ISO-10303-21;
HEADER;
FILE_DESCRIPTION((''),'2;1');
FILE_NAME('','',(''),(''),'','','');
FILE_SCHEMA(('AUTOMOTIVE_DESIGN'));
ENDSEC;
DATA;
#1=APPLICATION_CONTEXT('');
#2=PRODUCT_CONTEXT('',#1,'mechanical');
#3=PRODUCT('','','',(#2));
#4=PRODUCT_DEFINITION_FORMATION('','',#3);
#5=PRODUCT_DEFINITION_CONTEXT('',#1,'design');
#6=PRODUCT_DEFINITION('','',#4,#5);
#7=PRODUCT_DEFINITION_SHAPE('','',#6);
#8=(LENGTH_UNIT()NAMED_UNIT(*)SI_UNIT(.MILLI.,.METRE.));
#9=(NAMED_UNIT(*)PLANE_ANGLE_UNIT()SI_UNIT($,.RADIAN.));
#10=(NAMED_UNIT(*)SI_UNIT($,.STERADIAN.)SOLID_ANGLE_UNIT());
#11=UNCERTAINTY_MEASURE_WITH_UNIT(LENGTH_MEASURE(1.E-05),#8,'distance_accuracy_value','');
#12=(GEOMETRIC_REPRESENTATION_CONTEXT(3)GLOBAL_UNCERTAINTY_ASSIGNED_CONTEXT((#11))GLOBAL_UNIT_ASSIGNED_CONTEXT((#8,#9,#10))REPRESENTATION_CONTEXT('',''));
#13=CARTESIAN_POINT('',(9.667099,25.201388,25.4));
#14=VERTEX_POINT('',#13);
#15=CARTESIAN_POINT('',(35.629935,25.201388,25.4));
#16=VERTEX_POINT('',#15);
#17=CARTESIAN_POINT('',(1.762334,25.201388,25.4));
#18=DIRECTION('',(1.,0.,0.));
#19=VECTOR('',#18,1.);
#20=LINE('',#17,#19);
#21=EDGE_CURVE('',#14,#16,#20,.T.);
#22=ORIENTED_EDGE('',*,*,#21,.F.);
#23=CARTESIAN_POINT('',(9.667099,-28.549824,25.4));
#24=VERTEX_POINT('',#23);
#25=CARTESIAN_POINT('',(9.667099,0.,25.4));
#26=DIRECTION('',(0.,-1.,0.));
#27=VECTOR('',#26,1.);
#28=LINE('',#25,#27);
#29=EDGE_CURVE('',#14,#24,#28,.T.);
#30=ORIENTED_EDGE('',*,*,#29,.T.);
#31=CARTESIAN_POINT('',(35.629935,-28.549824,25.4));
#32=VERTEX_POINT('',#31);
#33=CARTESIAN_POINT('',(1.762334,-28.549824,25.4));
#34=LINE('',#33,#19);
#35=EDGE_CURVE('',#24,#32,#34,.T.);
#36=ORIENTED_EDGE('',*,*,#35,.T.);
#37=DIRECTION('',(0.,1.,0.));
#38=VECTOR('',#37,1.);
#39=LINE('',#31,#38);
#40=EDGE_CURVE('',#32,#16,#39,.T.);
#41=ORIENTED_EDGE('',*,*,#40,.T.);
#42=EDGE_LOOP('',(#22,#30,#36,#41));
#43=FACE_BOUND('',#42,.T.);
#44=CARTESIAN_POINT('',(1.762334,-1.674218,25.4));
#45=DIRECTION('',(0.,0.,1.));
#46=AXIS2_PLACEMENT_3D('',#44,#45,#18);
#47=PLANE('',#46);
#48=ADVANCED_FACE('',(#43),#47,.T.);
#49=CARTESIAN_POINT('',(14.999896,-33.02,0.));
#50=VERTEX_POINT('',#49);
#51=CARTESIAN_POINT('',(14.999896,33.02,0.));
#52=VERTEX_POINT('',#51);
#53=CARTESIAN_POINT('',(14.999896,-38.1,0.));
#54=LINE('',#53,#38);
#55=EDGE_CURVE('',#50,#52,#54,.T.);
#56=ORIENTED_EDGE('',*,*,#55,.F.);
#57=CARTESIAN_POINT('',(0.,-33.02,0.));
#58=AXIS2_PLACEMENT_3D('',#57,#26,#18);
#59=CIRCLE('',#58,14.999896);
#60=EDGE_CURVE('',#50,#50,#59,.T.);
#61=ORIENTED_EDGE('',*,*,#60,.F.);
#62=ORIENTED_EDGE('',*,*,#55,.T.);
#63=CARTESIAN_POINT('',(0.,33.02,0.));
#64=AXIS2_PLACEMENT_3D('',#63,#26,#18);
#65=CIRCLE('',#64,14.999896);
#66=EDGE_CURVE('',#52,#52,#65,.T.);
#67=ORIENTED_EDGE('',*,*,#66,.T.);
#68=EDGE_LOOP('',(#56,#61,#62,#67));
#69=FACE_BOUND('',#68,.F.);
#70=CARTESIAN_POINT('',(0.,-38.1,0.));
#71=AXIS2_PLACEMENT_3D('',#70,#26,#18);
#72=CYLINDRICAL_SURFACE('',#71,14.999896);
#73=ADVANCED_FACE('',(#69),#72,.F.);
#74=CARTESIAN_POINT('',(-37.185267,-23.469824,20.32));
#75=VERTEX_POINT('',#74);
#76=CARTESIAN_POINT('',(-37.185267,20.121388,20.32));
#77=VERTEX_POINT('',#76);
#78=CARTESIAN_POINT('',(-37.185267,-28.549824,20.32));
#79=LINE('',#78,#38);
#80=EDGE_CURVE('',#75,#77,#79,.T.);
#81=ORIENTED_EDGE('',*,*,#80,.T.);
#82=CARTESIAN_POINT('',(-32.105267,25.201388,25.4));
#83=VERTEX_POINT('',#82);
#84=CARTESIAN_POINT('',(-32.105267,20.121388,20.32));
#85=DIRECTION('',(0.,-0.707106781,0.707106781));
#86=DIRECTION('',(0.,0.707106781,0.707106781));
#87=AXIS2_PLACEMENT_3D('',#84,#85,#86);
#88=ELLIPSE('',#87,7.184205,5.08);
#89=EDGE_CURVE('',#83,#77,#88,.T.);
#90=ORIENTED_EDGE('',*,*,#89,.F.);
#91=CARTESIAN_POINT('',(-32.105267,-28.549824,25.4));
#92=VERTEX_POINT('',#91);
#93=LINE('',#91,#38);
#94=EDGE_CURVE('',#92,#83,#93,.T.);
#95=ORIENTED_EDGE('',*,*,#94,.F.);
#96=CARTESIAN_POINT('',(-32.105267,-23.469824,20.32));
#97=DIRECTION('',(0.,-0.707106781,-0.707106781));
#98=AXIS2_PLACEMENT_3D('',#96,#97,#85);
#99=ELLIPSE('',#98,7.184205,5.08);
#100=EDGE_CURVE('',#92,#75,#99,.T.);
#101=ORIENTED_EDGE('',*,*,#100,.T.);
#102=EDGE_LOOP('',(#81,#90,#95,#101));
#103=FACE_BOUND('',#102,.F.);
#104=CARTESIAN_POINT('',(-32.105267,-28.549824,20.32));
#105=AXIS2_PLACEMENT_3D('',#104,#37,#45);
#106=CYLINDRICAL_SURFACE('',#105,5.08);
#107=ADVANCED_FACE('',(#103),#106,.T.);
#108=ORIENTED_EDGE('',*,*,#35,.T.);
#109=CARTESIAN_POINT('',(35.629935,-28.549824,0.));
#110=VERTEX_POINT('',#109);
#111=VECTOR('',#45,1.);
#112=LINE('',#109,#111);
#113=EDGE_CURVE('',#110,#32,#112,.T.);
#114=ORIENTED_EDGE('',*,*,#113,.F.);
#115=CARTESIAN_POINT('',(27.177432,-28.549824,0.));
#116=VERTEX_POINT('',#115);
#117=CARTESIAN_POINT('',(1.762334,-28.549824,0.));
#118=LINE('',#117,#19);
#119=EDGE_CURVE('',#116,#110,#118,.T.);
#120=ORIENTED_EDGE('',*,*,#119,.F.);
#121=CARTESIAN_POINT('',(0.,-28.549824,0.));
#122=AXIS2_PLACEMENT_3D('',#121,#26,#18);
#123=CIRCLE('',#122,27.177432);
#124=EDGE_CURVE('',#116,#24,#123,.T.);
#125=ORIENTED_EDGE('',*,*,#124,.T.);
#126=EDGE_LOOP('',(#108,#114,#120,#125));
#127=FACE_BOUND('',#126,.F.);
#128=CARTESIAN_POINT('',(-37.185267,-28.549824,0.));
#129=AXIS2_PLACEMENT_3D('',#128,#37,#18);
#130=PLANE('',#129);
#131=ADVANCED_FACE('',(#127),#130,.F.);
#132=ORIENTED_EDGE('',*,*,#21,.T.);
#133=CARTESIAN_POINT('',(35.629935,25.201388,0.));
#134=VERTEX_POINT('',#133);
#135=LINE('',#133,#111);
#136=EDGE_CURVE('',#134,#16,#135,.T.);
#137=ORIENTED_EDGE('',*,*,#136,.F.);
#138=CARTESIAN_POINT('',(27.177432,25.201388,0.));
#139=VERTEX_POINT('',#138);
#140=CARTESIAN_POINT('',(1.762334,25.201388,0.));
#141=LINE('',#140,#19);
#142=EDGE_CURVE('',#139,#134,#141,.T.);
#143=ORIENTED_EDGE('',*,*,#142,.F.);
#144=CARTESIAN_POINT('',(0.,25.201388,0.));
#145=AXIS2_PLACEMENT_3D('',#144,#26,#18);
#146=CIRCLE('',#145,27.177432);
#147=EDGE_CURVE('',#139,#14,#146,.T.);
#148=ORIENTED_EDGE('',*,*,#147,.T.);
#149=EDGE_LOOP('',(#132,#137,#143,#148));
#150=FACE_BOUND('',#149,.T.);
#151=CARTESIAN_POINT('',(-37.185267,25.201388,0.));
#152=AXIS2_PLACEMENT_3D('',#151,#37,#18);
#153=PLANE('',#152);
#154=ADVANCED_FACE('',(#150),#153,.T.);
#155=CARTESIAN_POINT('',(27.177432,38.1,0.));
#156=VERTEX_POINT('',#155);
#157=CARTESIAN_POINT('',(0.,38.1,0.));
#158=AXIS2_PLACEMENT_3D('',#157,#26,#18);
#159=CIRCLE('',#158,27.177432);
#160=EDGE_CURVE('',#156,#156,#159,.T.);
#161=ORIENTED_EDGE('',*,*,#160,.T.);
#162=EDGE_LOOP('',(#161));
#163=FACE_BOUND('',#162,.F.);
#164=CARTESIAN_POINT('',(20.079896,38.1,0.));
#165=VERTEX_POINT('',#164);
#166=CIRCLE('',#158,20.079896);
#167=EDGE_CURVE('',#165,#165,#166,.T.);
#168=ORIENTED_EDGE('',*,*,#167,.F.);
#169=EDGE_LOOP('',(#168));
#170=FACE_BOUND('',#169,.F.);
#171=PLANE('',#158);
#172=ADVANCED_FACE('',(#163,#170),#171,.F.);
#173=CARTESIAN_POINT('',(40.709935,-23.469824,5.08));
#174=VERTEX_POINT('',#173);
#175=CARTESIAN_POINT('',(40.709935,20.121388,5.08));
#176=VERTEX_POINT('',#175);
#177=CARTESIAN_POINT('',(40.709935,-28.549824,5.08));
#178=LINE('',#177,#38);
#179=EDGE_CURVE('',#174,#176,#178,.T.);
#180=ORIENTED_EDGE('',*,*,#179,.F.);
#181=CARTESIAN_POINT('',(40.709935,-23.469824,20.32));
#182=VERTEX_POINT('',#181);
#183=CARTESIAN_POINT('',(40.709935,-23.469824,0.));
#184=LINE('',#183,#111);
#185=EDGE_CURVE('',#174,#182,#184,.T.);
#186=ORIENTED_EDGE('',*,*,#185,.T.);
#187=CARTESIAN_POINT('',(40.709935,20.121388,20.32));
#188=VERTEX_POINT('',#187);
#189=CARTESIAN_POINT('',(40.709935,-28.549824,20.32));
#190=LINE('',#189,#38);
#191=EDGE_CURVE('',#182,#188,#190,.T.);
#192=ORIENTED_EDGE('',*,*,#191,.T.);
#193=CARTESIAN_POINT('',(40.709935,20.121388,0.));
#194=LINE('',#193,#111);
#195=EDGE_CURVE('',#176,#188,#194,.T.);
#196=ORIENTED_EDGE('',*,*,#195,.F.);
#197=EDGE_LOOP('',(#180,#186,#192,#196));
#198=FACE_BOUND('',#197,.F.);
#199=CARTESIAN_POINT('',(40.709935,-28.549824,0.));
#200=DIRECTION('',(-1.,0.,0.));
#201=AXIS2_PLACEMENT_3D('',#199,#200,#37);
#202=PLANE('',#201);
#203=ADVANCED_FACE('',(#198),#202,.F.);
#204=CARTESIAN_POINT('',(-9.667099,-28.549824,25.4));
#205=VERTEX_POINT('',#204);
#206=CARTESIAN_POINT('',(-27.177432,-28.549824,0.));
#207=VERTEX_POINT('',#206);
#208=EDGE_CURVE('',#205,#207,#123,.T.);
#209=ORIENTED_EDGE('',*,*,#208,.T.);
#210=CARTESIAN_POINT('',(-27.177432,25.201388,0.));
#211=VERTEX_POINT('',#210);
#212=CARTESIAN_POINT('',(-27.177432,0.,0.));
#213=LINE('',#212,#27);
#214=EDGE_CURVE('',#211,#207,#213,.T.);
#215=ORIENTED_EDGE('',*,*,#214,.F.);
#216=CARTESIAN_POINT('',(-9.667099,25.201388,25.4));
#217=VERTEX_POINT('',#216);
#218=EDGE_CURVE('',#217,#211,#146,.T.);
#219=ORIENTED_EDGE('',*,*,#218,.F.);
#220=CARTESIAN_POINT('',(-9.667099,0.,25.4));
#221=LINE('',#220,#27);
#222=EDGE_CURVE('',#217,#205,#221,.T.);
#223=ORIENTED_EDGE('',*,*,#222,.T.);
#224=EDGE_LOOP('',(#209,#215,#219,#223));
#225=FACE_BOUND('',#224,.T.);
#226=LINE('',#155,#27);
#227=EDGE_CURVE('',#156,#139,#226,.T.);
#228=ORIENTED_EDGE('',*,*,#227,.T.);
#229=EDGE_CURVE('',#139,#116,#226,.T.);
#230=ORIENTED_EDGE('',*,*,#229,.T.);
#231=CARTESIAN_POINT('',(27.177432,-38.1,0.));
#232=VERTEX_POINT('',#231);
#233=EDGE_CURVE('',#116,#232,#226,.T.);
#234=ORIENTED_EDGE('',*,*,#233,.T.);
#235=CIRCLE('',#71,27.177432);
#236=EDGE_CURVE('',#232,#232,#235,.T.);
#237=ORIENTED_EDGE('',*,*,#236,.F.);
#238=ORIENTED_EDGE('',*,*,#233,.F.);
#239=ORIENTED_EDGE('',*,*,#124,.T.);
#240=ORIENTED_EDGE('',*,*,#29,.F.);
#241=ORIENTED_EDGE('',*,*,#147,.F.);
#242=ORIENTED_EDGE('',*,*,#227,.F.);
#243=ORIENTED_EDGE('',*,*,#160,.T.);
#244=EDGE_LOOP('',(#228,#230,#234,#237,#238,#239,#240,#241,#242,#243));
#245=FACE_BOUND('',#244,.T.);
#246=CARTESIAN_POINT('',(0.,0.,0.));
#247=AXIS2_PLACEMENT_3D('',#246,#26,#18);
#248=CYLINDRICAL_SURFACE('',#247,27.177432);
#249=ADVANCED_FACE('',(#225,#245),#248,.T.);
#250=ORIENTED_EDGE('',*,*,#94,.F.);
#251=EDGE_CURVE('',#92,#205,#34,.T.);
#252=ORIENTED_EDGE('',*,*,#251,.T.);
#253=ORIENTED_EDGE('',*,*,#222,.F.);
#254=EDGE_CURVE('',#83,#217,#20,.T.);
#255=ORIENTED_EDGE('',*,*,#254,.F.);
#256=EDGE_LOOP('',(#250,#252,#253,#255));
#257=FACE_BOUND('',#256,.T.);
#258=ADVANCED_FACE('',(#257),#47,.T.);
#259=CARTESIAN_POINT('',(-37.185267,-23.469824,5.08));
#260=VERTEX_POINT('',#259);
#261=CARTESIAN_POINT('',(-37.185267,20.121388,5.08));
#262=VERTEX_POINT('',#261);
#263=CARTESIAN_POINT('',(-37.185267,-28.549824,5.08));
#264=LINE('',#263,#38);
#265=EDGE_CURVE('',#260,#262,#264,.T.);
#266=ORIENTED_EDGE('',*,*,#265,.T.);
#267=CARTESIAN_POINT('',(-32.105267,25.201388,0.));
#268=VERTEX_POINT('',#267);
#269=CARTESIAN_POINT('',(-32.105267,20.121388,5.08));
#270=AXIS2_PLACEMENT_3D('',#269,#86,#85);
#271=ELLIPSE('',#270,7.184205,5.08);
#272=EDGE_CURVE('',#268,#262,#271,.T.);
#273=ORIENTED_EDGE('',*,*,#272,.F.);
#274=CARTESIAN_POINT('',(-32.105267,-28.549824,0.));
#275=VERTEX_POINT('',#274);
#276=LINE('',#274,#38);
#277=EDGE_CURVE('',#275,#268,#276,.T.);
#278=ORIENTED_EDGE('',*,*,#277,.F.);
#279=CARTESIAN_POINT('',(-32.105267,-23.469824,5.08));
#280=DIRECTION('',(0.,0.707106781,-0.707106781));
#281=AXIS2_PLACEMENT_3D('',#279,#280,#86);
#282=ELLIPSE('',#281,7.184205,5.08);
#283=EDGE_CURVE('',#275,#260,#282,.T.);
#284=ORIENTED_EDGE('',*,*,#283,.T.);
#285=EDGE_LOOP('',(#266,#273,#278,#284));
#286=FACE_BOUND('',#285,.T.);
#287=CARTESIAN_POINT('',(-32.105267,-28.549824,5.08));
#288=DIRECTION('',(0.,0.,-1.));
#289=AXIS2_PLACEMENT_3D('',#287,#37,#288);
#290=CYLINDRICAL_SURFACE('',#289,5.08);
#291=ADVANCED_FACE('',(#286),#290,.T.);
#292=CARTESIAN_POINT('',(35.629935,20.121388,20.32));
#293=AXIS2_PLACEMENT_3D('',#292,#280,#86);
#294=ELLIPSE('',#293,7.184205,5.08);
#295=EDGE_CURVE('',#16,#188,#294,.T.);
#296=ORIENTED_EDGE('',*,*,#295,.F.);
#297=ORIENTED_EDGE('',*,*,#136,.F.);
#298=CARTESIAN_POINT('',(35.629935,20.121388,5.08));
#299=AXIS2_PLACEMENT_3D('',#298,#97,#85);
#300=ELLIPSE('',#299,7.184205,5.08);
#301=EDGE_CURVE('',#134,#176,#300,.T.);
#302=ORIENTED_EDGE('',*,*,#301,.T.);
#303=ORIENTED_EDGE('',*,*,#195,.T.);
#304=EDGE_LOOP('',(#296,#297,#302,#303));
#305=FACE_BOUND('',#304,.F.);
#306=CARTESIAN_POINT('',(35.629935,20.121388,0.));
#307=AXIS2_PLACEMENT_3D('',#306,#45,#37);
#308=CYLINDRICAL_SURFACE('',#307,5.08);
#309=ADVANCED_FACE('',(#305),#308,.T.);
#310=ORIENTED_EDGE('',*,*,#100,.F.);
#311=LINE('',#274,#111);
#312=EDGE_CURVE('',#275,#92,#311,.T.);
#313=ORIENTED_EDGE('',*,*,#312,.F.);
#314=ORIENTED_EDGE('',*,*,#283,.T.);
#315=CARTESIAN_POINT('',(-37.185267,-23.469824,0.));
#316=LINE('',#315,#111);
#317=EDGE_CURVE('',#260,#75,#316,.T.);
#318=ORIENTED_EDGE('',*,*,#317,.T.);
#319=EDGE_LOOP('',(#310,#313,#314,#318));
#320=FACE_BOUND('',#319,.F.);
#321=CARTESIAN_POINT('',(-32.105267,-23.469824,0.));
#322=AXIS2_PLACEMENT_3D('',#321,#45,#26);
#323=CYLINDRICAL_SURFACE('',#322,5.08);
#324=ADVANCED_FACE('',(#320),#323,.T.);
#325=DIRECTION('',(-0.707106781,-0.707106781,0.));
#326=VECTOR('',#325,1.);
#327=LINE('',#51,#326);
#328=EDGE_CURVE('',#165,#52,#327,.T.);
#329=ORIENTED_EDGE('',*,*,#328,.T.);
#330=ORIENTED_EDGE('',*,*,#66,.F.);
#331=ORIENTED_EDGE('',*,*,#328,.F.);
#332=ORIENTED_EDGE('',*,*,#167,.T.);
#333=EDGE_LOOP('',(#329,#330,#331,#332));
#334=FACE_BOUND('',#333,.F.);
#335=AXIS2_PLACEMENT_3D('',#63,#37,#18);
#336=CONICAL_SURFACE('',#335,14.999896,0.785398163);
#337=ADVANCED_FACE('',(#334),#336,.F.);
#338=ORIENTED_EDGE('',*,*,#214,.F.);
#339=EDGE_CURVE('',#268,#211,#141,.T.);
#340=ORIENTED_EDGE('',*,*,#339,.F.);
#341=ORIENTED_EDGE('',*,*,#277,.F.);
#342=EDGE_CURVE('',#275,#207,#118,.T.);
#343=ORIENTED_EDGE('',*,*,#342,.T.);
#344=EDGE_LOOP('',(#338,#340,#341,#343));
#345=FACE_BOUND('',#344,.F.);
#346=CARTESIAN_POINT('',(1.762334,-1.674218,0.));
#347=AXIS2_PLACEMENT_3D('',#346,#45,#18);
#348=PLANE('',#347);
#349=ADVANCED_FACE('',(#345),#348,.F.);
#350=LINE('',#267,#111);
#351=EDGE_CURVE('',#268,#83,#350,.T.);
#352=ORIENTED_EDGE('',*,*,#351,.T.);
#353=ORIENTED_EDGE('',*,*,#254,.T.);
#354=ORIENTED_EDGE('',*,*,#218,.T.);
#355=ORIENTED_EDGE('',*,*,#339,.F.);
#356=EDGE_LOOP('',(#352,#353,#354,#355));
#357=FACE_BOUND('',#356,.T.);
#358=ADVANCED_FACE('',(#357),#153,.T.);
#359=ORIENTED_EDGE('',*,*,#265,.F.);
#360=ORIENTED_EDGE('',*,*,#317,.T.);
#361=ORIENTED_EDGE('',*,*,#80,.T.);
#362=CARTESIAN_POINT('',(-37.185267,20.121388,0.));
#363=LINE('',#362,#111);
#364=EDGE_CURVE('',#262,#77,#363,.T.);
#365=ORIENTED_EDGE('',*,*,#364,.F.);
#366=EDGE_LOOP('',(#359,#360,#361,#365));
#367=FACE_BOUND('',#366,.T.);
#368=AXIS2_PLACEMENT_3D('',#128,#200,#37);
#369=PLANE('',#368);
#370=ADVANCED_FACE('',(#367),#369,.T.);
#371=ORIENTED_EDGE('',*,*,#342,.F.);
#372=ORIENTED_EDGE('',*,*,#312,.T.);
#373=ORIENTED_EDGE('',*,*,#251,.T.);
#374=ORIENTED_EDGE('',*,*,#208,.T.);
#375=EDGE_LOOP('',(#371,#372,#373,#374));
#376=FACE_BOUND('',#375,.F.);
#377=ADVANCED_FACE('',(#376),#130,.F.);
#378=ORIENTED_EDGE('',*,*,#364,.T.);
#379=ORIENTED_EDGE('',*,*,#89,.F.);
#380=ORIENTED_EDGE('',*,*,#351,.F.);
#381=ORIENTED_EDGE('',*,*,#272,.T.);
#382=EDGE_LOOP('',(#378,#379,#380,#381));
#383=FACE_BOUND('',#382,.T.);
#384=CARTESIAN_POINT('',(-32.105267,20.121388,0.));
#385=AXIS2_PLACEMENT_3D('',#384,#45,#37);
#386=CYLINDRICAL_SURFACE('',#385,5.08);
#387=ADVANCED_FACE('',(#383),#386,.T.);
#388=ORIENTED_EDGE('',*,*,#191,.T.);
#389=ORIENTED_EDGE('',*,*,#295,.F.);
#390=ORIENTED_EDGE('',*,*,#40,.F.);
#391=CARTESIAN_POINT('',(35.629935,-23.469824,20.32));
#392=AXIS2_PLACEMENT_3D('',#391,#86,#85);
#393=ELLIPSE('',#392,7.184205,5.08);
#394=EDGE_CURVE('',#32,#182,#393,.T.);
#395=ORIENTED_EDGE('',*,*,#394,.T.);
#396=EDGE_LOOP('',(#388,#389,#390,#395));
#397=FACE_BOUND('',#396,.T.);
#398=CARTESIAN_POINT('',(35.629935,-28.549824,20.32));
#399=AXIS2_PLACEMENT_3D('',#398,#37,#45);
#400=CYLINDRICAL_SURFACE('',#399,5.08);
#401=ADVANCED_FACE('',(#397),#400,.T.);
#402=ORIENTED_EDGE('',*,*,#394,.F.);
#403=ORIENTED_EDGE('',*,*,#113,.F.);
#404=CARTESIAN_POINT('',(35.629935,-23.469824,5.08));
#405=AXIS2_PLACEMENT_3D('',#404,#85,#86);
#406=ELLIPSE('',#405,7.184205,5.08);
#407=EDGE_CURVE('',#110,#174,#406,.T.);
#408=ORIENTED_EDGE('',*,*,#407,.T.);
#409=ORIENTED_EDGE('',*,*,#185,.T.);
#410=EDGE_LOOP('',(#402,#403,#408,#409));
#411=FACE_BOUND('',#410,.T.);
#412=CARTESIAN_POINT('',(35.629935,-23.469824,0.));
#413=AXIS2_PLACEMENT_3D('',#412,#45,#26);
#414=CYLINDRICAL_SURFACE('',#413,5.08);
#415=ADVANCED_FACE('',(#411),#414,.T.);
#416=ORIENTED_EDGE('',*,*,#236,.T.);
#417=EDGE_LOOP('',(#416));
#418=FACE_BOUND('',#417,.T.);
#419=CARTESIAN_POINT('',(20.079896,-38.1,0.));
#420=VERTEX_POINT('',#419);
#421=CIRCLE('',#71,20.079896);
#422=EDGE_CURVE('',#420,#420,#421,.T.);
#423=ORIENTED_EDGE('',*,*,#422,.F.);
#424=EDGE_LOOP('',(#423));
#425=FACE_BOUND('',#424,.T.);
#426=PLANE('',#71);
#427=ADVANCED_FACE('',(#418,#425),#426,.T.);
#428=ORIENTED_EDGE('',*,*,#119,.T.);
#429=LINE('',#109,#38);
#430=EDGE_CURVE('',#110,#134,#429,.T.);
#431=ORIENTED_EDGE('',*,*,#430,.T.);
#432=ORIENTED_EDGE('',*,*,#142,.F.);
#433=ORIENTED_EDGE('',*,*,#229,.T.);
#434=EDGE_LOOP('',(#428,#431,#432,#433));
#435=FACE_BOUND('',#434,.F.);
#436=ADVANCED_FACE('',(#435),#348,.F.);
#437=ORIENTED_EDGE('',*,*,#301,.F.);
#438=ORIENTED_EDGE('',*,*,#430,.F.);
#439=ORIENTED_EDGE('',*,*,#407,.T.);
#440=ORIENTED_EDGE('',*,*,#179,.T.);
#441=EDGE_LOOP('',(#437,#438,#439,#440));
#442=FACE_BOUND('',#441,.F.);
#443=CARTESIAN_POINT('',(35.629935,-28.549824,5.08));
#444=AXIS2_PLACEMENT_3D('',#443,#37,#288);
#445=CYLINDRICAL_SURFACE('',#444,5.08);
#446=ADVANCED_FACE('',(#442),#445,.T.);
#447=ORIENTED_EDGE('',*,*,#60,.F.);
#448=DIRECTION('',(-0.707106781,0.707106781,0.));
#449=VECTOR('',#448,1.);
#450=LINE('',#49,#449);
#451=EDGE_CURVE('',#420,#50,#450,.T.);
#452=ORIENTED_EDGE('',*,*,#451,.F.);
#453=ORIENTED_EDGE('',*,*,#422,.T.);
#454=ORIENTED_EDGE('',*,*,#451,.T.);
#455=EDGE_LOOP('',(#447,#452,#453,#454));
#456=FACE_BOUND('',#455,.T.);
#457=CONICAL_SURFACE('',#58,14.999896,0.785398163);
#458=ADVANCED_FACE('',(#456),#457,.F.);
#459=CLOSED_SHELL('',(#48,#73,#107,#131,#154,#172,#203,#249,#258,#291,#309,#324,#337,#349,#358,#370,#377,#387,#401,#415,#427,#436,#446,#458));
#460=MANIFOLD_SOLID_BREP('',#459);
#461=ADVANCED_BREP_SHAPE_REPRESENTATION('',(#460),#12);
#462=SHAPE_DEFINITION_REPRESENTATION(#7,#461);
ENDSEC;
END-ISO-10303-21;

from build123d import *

# Parameters (mm, degrees)
F1_W     = 77.895202
F1_H     = 53.751212
F2_DEPTH = 25.4
F0_R     = 27.177432
F3_DEPTH = 38.1
F4_R     = 5.08
F5_R     = 14.999896
F6_DEPTH = 76.201
F7_SIZE  = 5.08


with BuildPart() as f2:
    # F1 (on Top) → F2 (new body)
    with BuildSketch(Plane.XY):
        with Locations((1.762334, -1.674218)):
            Rectangle(F1_W, F1_H)
    extrude(amount=F2_DEPTH)

    # F0 (on Front) → F3 (join, symmetric)
    with BuildSketch(Plane.XZ):
        Circle(F0_R)
    extrude(amount=F3_DEPTH, both=True)

    # F4
    f4_edges = [f2.edges().sort_by_distance(p)[0] for p in [
        (40.709935, -28.549824, 12.7),
        (40.709935, 25.201388, 12.7),
        (40.709935, -1.674218, 0),
        (40.709935, -1.674218, 25.4),
        (-37.185267, 25.201388, 12.7),
        (-37.185267, -28.549824, 12.7),
        (-37.185267, -1.674218, 0),
        (-37.185267, -1.674218, 25.4),
    ]]
    fillet(f4_edges, radius=F4_R)

    # F5 (on face) → F6 (cut, through all)
    with BuildSketch(Plane.XZ.offset(38.1)):
        Circle(F5_R)
    extrude(amount=-F6_DEPTH, mode=Mode.SUBTRACT)

    # F7
    f7_edges = [f2.edges().sort_by_distance(p)[0] for p in [
        (-14.999896, -38.1, 0),
        (-14.999896, 38.1, 0),
    ]]
    chamfer(f7_edges, length=F7_SIZE)


solid = f2.part
